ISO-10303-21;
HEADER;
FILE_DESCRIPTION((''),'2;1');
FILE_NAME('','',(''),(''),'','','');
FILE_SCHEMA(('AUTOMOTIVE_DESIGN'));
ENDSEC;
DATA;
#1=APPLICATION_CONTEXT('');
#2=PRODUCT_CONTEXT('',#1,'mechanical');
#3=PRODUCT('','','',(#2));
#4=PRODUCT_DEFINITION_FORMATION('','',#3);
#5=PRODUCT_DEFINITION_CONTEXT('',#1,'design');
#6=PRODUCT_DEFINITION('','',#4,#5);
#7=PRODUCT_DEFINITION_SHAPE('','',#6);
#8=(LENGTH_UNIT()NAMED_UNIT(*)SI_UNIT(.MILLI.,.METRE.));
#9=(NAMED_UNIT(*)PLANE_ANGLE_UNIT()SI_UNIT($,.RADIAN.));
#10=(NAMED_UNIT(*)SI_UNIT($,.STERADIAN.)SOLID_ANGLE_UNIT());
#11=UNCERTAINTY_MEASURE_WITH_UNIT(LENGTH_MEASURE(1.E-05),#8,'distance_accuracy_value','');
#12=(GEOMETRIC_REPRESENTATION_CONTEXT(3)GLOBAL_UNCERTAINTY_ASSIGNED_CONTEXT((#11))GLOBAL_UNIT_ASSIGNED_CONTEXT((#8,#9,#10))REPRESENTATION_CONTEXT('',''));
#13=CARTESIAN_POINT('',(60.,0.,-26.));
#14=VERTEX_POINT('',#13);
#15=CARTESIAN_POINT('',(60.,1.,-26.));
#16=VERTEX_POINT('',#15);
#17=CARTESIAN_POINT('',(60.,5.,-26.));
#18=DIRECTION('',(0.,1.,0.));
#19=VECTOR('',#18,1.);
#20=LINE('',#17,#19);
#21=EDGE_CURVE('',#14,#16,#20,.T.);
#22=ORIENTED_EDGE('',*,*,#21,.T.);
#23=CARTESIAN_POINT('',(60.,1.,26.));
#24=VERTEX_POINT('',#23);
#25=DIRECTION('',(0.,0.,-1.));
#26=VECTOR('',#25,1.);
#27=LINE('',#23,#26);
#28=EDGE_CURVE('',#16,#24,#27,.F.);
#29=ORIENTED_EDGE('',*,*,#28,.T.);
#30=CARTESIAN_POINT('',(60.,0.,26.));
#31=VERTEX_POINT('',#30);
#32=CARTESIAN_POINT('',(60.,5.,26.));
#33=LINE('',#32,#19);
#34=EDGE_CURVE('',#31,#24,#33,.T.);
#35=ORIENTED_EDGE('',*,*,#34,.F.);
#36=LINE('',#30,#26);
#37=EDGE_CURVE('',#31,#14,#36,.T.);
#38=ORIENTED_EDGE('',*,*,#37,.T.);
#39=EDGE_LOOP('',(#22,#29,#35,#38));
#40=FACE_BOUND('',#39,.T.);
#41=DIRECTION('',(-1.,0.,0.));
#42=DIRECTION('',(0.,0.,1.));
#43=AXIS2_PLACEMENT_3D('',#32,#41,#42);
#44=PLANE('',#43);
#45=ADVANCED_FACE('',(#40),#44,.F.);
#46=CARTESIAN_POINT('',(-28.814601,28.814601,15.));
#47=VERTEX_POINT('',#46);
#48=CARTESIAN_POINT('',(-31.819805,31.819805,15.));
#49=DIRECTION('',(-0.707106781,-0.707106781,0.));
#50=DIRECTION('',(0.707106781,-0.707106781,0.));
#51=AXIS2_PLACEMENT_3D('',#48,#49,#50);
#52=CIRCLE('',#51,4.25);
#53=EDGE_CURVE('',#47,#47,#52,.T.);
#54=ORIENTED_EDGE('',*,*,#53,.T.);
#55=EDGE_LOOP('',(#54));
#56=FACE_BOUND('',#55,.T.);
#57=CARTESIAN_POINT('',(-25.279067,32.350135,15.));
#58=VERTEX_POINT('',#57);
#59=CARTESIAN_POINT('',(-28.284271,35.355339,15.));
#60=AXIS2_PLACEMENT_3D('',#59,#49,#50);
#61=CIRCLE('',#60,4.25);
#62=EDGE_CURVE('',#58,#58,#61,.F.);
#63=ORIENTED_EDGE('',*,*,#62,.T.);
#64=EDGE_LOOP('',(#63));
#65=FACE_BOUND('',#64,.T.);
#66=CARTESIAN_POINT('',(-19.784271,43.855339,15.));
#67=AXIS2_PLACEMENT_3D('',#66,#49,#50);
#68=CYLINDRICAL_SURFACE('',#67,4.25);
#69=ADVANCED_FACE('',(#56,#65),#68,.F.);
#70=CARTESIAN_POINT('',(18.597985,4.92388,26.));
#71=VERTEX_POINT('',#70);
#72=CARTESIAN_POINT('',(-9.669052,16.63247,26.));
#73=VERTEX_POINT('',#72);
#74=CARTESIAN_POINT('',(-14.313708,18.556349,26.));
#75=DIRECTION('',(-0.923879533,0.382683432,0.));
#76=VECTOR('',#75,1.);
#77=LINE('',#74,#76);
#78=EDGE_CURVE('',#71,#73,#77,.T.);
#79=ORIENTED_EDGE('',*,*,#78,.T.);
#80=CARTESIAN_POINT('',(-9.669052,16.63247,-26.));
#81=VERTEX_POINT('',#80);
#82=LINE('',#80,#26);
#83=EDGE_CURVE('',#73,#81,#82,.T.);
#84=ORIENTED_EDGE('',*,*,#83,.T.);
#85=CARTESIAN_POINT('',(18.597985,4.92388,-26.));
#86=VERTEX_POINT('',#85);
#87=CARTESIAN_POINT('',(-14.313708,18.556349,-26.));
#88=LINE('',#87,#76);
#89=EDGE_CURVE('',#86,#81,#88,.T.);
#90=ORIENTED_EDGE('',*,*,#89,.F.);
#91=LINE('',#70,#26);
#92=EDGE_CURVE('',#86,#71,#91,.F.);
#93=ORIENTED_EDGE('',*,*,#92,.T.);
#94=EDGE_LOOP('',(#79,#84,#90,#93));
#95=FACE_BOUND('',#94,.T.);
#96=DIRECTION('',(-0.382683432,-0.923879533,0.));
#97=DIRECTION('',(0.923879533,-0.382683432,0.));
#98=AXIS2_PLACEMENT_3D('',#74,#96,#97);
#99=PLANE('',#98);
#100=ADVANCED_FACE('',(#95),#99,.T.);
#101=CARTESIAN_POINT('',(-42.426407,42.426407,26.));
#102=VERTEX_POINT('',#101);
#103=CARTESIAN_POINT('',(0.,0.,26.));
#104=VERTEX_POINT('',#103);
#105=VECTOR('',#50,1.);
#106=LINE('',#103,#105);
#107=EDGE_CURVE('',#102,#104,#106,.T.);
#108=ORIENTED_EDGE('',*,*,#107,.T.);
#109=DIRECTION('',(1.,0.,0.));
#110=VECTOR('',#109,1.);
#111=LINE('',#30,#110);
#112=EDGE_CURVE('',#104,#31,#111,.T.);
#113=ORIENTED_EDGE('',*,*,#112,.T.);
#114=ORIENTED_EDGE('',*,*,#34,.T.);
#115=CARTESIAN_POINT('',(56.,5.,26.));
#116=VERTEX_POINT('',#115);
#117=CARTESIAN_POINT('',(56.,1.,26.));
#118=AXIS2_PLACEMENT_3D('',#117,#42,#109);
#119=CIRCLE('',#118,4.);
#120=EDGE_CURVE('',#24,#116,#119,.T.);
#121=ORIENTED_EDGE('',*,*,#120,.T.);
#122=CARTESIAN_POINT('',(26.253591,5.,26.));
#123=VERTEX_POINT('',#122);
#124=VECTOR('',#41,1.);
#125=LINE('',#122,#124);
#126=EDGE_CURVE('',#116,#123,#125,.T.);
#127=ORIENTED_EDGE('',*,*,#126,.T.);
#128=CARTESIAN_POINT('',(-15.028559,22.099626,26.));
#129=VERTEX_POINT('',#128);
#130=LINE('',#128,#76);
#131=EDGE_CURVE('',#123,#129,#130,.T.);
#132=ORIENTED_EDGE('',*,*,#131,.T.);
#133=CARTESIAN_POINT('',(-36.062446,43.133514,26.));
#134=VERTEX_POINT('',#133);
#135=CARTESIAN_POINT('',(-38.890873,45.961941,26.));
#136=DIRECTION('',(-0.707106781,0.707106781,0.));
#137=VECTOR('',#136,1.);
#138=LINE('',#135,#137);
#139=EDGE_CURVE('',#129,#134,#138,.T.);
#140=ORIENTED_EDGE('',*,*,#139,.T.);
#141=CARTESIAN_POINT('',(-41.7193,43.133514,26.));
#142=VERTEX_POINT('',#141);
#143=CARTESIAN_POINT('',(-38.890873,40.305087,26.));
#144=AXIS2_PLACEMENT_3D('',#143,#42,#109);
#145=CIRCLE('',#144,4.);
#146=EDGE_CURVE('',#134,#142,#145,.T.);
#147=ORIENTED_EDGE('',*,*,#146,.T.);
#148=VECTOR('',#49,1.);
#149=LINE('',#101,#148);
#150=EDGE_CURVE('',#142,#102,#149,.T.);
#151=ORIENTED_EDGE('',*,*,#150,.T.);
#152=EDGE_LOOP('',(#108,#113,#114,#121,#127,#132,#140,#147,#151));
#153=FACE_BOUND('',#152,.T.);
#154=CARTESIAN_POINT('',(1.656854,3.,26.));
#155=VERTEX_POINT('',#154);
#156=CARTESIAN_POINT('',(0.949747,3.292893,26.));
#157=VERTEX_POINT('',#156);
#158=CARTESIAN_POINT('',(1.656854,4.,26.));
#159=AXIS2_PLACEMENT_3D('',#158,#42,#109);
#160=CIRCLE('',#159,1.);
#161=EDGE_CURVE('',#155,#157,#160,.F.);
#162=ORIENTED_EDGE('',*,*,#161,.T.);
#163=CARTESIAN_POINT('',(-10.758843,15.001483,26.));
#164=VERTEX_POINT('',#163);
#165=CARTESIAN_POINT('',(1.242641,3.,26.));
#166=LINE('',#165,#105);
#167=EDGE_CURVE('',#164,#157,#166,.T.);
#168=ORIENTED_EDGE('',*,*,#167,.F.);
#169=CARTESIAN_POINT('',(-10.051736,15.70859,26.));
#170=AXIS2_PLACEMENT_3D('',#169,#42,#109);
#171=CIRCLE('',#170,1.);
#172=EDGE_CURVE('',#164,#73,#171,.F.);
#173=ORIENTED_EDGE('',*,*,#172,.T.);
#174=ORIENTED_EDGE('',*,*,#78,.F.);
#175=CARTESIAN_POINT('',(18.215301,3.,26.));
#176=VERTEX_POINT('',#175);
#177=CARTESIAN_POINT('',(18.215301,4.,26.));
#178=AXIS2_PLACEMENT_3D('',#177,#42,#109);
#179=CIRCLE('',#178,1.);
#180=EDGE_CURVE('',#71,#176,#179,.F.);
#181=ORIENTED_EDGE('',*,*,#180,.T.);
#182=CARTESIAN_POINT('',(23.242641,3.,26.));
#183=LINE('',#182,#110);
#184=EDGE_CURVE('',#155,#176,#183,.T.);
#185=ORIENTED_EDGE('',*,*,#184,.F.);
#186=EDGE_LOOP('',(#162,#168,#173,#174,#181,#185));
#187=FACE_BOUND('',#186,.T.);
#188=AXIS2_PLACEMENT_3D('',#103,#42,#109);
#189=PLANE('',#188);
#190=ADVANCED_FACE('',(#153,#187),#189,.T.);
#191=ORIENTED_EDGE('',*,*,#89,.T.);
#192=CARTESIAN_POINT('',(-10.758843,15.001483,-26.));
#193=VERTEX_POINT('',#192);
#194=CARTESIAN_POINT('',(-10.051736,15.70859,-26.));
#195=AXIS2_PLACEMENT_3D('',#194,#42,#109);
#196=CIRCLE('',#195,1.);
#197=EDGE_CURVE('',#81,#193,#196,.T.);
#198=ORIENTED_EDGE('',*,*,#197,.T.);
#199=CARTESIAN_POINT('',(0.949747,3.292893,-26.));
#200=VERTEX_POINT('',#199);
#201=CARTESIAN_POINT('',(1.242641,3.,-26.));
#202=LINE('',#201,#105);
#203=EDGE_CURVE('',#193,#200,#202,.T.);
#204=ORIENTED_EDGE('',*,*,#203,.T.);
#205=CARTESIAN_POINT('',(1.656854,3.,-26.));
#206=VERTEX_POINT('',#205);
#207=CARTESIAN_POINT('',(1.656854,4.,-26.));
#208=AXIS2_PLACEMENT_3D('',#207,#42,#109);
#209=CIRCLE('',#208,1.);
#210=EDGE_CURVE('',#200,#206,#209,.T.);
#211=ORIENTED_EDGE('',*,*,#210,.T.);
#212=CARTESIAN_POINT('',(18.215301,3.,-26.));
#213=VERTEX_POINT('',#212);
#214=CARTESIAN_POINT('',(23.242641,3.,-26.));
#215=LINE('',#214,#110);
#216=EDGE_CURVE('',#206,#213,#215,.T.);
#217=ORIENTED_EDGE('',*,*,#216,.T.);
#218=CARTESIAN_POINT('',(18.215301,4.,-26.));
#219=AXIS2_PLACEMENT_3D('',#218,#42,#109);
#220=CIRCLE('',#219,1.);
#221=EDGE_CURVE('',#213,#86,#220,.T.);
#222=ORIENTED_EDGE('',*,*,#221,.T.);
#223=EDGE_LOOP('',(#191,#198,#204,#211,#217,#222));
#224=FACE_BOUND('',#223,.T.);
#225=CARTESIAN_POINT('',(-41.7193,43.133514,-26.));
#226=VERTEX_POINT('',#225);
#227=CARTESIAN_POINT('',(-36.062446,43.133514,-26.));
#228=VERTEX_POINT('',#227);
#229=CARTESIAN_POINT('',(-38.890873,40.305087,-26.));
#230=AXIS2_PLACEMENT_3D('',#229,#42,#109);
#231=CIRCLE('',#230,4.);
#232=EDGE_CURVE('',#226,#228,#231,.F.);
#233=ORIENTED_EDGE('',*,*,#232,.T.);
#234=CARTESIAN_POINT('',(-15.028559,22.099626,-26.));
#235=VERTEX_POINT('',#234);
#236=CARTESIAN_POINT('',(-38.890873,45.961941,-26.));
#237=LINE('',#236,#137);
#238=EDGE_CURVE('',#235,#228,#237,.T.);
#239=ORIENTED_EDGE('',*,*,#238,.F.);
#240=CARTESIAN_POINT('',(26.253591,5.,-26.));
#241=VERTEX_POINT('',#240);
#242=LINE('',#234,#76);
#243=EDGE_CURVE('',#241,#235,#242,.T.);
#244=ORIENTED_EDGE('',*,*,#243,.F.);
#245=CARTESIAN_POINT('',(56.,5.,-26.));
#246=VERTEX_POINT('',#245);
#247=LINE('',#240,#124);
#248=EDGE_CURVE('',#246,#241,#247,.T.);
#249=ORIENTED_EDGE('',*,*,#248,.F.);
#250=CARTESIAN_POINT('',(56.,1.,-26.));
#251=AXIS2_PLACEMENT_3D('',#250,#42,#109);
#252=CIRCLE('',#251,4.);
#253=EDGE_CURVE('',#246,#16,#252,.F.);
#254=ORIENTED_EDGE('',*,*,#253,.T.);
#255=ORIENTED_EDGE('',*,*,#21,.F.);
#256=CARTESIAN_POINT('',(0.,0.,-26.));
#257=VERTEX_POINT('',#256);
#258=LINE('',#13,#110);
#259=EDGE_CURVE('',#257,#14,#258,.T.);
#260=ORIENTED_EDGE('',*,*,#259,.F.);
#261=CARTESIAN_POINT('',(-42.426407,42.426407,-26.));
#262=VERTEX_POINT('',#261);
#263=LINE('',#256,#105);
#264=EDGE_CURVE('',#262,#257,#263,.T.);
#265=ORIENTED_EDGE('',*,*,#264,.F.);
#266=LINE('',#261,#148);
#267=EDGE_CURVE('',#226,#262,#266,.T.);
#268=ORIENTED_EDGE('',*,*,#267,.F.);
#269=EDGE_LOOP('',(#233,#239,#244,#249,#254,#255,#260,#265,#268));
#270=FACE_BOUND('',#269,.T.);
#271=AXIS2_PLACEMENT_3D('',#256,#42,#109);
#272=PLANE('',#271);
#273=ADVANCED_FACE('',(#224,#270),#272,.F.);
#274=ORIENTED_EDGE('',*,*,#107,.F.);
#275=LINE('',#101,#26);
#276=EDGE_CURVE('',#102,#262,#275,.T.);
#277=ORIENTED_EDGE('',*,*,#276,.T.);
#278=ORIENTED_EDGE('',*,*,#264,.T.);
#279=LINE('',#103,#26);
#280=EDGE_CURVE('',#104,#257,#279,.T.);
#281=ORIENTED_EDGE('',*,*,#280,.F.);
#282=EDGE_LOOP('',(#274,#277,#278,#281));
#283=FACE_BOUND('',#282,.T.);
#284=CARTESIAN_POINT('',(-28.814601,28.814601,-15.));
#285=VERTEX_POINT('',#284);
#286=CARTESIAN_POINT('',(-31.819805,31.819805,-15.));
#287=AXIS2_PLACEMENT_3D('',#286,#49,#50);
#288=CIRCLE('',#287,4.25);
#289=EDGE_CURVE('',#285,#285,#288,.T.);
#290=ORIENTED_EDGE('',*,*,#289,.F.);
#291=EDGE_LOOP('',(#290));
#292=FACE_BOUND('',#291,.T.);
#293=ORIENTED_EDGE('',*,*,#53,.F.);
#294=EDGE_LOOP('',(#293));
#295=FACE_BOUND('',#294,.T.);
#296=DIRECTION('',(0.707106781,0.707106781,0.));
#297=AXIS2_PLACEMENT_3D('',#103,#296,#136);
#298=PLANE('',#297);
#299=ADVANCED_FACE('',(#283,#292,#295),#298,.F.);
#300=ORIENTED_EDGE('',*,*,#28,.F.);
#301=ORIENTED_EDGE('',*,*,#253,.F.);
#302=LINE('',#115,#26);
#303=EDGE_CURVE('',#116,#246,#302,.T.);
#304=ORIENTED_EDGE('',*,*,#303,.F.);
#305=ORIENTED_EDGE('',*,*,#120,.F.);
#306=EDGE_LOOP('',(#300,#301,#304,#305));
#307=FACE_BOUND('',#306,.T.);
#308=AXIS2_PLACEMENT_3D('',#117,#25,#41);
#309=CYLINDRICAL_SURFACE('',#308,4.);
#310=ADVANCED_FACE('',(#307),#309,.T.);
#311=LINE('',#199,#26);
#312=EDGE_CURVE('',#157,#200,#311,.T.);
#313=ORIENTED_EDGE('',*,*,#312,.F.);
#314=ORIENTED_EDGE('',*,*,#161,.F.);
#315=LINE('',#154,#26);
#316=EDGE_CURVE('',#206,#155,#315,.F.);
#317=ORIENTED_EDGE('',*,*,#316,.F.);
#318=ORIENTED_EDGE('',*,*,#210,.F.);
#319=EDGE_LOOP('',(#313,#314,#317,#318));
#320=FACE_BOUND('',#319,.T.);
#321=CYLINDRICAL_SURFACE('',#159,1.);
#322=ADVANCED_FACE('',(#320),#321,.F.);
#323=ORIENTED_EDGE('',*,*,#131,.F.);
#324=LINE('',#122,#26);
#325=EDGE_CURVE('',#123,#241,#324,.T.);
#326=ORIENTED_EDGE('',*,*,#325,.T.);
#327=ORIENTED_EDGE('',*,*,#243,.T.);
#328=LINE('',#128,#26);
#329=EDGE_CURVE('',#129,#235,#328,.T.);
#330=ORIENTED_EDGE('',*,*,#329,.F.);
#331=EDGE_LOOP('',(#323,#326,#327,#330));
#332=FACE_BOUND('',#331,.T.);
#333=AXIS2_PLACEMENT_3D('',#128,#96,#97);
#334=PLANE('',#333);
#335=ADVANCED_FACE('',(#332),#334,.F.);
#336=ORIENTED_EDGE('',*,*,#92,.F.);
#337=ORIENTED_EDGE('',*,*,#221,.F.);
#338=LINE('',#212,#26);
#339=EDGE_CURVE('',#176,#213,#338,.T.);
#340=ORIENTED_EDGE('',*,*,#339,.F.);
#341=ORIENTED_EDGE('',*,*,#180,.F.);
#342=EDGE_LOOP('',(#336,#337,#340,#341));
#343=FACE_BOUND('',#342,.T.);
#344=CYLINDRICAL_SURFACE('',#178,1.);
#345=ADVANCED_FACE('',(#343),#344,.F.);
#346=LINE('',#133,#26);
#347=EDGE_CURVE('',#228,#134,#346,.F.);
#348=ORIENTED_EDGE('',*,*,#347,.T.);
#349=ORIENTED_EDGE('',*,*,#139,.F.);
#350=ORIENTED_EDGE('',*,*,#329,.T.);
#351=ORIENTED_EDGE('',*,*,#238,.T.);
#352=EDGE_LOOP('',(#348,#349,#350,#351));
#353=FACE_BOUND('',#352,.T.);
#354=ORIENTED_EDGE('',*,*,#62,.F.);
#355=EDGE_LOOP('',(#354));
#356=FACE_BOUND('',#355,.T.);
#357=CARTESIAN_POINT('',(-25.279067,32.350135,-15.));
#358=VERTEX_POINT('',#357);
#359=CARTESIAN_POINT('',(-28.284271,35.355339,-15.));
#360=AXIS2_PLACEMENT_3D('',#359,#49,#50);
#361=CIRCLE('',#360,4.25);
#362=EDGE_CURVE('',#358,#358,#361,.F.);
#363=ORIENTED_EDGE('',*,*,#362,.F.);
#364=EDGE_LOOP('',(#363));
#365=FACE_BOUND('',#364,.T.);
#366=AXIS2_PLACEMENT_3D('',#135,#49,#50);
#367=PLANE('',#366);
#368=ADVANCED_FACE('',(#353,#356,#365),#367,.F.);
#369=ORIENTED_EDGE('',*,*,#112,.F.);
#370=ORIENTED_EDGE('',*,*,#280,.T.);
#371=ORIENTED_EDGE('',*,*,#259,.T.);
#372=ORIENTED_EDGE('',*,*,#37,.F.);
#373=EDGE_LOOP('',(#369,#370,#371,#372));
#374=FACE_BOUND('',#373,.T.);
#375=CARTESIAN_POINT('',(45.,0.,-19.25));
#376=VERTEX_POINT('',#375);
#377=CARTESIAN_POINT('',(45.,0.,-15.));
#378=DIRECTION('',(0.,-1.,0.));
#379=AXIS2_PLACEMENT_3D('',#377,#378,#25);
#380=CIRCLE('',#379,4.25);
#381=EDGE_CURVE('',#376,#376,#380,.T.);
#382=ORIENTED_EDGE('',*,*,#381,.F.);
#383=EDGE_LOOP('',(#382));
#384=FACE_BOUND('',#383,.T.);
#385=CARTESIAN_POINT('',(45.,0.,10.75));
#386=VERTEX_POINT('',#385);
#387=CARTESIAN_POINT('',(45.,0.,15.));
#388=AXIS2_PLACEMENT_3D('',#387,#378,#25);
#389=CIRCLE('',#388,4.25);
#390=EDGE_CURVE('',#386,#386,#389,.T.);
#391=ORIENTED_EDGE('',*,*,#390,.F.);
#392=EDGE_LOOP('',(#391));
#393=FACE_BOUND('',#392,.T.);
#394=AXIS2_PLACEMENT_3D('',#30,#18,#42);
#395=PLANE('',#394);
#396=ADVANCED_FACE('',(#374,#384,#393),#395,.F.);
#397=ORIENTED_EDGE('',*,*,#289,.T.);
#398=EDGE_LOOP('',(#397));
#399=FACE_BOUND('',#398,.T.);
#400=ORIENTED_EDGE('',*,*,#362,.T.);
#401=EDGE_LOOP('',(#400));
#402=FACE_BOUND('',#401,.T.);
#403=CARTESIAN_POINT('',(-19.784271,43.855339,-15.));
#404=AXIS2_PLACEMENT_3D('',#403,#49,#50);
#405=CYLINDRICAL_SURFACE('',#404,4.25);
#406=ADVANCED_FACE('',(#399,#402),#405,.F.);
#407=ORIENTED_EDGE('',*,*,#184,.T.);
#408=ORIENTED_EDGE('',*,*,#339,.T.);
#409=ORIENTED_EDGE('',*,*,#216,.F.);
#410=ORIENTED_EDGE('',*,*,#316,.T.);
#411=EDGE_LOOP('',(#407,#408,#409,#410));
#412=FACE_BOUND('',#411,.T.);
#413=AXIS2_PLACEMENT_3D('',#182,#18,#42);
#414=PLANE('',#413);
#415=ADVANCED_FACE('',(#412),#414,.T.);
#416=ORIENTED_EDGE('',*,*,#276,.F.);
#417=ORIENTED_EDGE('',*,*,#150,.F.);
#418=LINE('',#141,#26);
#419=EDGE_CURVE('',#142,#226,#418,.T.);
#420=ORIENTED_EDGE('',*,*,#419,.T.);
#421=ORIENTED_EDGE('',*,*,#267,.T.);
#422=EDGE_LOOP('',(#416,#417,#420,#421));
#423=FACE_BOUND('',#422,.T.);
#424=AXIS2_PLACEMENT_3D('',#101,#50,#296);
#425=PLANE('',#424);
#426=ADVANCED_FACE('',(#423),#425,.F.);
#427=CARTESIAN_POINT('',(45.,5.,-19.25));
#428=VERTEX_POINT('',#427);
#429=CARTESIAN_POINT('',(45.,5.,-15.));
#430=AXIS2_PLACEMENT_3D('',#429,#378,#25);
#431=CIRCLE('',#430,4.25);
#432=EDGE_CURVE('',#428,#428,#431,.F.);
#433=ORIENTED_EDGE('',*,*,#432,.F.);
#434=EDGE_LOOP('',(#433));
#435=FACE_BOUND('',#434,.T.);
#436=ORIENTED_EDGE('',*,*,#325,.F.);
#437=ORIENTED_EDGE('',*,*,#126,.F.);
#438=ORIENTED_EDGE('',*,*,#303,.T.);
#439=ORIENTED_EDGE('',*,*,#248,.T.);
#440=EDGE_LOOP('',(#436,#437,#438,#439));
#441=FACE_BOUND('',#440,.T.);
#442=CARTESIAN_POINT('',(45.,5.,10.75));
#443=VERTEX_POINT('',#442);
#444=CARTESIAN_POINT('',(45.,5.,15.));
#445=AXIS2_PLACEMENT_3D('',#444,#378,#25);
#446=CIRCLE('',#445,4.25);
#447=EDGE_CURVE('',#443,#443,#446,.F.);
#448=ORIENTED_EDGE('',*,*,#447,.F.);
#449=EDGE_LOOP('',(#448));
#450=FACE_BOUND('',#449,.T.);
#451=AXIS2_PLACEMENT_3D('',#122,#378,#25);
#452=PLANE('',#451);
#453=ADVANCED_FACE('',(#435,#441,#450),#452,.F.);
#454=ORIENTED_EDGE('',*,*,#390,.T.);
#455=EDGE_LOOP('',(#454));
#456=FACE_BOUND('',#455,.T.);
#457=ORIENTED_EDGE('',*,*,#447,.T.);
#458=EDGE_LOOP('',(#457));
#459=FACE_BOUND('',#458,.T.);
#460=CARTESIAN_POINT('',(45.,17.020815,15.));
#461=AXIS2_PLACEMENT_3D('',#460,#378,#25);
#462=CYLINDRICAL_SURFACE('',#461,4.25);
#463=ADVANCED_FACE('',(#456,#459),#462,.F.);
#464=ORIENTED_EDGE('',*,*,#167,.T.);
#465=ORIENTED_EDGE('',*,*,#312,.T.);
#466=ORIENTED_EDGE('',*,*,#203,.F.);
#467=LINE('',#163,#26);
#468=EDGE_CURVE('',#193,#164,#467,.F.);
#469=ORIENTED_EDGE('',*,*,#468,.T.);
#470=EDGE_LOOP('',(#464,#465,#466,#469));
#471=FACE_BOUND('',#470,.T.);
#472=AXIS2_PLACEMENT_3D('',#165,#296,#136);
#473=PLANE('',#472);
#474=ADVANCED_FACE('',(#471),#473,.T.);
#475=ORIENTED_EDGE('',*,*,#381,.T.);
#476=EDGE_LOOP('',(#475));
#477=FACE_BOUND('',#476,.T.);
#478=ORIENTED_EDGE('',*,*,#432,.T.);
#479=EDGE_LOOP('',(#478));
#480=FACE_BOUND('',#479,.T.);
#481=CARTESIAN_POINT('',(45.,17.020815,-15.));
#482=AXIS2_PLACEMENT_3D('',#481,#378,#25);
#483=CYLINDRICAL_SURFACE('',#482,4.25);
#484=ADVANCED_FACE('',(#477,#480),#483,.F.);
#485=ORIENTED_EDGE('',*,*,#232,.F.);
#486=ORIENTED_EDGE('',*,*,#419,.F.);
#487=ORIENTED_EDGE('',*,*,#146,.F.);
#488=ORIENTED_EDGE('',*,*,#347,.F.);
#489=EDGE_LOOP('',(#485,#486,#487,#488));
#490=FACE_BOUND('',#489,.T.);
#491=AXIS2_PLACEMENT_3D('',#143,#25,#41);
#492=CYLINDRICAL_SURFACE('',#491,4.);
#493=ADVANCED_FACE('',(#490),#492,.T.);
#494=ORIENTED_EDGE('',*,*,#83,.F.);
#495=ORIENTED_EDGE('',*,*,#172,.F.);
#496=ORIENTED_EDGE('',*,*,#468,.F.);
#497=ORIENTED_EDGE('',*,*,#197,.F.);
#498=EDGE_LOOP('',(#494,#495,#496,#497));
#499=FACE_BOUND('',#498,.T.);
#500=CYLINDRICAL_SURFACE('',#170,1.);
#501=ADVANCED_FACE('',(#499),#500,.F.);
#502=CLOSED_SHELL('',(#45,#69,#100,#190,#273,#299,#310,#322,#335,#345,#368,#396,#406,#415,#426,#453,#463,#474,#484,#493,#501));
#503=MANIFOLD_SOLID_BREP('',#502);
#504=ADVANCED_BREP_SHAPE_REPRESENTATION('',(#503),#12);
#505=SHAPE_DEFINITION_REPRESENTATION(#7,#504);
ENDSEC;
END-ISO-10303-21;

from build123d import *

# Parameters (mm, degrees)
EXTRUDE_1_DEPTH     = 26
SKETCH_2_R          = 4.25
CUT_EXTRUDE_1_DEPTH = 5
SKETCH_3_R          = 4.25
CUT_EXTRUDE_2_DEPTH = 5
FILLET_1_R          = 4
FILLET_2_R          = 1


with BuildPart() as part:
    # Эскиз1 → Бобышка-Вытянуть1 (new body, symmetric)
    with BuildSketch(Plane.XY):
        Polygon((0, 0), (-42.426406871, 42.426406871), (-38.890872965, 45.961940777), (-15.028558569, 22.099626381), (26.253591352, 5), (60, 5), (60, 0), align=None)
        Polygon((-14.313708499, 18.556349186), (23.242640687, 3), (1.242640687, 3), align=None, mode=Mode.SUBTRACT)
    extrude(amount=EXTRUDE_1_DEPTH, both=True)

    # Эскиз2 → Вырез-Вытянуть1 (cut)
    with BuildSketch(Plane(origin=(0, 0, 0), x_dir=(0, 0, 1), z_dir=(-0.707106781, -0.707106781, 0))):
        with Locations(Location((-15, 45, 0), (0, 0, 270))):  # turned: the seam where the file's is
            Circle(SKETCH_2_R)
        with Locations(Location((15, 45, 0), (0, 0, 270))):  # turned: the seam where the file's is
            Circle(SKETCH_2_R)
    extrude(amount=-CUT_EXTRUDE_1_DEPTH, mode=Mode.SUBTRACT)

    # Эскиз3 → Вырез-Вытянуть2 (cut)
    with BuildSketch(Plane.XZ):
        with Locations(Location((45, 15, 0), (0, 0, 270))):  # turned: the seam where the file's is
            Circle(SKETCH_3_R)
        with Locations(Location((45, -15, 0), (0, 0, 270))):  # turned: the seam where the file's is
            Circle(SKETCH_3_R)
    extrude(amount=-CUT_EXTRUDE_2_DEPTH, mode=Mode.SUBTRACT)

    # Скругление1
    fillet_1_edges = [part.edges().sort_by_distance(p)[0] for p in [
        (-38.890872965, 45.961940777, 0),
        (60, 5, 0),
    ]]
    fillet(fillet_1_edges, radius=FILLET_1_R)

    # Скругление2
    fillet_2_edges = [part.edges().sort_by_distance(p)[0] for p in [
        (-14.313708499, 18.556349186, 0),
        (1.242640687, 3, 0),
        (23.242640687, 3, 0),
    ]]
    fillet(fillet_2_edges, radius=FILLET_2_R)


solid = part.part
